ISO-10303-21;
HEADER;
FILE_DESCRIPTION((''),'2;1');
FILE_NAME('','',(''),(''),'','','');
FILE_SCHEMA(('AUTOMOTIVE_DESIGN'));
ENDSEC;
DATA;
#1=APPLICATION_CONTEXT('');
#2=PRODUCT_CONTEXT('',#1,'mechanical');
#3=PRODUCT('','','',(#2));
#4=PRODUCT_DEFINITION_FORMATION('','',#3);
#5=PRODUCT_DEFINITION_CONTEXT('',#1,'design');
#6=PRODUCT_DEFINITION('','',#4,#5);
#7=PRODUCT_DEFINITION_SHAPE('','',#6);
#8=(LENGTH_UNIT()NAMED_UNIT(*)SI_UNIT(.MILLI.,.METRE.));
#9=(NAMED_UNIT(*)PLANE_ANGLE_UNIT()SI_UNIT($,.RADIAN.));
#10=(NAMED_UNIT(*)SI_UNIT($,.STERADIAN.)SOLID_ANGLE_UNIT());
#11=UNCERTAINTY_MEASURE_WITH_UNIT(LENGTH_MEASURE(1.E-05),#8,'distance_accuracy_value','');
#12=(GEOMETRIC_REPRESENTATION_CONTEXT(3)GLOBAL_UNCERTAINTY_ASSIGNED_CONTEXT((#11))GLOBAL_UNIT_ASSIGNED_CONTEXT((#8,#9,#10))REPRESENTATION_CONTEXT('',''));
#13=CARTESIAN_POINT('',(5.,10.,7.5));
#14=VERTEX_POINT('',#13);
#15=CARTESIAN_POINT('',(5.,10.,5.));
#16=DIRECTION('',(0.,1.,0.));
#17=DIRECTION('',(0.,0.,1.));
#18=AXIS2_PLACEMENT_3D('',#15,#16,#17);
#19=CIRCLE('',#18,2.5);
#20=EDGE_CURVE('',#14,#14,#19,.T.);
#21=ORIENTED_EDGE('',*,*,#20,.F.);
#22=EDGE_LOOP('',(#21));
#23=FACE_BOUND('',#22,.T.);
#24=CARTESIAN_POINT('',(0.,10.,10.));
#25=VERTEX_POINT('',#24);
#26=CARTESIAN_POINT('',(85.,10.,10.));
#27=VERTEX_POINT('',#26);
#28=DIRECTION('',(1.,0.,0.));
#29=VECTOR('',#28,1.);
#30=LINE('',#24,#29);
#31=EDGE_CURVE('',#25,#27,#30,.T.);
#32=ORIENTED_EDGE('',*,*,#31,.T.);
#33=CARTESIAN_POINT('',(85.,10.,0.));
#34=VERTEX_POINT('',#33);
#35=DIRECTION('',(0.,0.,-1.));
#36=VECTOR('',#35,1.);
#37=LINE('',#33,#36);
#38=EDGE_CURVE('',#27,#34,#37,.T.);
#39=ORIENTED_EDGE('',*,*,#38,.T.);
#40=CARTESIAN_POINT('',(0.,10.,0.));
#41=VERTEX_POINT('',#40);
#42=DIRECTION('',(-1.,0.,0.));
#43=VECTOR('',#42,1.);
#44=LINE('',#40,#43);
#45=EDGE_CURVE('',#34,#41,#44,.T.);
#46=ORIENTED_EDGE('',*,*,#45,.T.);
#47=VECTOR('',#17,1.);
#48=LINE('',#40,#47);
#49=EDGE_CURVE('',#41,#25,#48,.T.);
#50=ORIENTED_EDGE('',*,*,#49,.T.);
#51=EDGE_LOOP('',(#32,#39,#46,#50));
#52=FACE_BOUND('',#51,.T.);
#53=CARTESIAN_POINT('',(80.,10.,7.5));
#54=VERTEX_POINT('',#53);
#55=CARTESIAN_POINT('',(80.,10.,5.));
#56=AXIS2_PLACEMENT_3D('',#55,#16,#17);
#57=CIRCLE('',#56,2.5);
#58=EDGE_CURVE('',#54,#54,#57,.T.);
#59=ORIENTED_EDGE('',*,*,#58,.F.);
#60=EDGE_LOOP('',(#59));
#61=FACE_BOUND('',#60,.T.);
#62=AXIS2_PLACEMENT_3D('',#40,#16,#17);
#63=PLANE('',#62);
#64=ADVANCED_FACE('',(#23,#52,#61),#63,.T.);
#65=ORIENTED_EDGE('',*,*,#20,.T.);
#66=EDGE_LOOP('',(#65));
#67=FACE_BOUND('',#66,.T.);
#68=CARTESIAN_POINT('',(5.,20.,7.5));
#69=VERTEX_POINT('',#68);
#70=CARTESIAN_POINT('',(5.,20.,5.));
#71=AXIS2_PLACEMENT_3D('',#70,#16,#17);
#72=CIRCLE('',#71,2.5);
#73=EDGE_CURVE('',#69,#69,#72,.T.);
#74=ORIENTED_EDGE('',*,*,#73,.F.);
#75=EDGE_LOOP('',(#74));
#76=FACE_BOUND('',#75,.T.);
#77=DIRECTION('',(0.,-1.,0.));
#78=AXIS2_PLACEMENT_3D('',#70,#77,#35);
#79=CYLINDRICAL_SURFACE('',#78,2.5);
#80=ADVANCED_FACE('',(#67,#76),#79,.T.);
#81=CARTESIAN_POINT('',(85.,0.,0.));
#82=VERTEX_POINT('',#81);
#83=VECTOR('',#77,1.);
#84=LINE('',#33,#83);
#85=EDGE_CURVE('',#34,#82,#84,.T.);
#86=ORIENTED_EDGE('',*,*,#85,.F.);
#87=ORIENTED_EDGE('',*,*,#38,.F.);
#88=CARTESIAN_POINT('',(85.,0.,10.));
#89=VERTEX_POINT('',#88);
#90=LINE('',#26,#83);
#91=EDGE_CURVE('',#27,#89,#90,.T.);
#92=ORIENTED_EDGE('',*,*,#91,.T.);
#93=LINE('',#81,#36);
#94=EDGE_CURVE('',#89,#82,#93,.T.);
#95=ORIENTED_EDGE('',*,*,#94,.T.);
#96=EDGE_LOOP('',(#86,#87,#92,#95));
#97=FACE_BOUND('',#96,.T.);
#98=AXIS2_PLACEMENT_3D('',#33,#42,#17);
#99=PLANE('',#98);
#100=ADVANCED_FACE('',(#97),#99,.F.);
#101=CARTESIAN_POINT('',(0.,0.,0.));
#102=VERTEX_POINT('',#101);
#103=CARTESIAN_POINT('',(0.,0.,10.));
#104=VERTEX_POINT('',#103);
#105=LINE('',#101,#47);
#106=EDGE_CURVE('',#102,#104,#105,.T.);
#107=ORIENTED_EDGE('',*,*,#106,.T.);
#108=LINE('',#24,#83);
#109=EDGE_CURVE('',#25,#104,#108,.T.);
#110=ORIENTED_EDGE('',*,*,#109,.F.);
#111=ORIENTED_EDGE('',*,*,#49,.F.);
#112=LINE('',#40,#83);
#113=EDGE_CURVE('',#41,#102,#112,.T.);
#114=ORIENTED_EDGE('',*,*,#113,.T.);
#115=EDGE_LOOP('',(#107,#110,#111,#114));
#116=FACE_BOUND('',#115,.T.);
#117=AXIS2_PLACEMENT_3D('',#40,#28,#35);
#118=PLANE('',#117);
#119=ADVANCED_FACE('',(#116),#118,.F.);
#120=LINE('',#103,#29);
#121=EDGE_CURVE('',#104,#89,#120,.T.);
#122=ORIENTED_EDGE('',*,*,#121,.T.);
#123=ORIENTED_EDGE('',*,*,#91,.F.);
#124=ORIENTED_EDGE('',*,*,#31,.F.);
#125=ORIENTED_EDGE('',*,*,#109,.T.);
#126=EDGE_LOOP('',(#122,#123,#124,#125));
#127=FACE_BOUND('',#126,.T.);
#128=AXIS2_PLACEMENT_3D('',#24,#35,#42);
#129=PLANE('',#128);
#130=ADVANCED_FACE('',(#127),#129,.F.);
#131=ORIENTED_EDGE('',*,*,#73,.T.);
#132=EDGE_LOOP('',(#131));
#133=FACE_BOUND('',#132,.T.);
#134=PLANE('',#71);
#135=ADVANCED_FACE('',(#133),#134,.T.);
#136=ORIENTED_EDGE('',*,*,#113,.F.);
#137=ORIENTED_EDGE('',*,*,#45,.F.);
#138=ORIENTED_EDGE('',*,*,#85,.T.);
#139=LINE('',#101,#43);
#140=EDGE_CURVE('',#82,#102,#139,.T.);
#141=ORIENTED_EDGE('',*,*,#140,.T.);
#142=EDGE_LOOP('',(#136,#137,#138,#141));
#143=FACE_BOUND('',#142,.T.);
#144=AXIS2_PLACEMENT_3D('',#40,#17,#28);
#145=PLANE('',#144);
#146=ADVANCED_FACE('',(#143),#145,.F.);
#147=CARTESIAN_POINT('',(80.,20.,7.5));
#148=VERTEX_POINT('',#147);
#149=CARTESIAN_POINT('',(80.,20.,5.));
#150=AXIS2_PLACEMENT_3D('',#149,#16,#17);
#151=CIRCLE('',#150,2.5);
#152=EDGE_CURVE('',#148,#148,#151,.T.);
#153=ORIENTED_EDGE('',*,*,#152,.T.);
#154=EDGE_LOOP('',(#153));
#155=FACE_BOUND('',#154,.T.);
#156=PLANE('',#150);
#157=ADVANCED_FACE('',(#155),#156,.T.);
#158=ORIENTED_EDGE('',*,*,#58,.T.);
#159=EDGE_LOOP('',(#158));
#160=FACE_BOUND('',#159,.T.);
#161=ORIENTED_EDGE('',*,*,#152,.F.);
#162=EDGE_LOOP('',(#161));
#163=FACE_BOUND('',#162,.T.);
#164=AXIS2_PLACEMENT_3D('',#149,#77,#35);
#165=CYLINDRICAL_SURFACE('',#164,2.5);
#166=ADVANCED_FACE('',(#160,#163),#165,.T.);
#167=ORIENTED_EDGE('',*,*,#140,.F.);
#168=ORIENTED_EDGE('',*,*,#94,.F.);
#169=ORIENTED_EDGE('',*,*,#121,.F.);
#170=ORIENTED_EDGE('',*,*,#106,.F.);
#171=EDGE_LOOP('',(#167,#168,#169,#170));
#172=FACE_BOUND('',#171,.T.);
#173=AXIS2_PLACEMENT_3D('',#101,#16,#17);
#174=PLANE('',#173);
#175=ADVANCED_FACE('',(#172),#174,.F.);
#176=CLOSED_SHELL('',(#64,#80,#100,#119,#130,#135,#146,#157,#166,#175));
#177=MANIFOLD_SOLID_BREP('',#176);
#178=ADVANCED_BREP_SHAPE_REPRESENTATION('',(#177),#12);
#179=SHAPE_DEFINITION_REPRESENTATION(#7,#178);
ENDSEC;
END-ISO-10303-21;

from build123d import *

# Parameters (mm, degrees)
ESQUISSE1_W        = 85
ESQUISSE1_H        = 10
BOSS_EXTRU_1_DEPTH = 10
ESQUISSE2_R        = 2.5
BOSS_EXTRU_2_DEPTH = 10


with BuildPart() as part:
    # Esquisse1 → Boss.-Extru.1 (new body)
    with BuildSketch(Plane(origin=(0, 0, 0), x_dir=(1, 0, 0), z_dir=(0, 1, 0))):
        with Locations((42.5, -5)):
            Rectangle(ESQUISSE1_W, ESQUISSE1_H)
    extrude(amount=BOSS_EXTRU_1_DEPTH)

    # Esquisse2 → Boss.-Extru.2 (add)
    with BuildSketch(Plane(origin=(0, 10, 0), x_dir=(1, 0, 0), z_dir=(0, 1, 0))):
        with Locations(Location((5, -5, 0), (0, 0, 270))):
            Circle(ESQUISSE2_R)
        with Locations(Location((80, -5, 0), (0, 0, 270))):
            Circle(ESQUISSE2_R)
    extrude(amount=BOSS_EXTRU_2_DEPTH)


solid = part.part
